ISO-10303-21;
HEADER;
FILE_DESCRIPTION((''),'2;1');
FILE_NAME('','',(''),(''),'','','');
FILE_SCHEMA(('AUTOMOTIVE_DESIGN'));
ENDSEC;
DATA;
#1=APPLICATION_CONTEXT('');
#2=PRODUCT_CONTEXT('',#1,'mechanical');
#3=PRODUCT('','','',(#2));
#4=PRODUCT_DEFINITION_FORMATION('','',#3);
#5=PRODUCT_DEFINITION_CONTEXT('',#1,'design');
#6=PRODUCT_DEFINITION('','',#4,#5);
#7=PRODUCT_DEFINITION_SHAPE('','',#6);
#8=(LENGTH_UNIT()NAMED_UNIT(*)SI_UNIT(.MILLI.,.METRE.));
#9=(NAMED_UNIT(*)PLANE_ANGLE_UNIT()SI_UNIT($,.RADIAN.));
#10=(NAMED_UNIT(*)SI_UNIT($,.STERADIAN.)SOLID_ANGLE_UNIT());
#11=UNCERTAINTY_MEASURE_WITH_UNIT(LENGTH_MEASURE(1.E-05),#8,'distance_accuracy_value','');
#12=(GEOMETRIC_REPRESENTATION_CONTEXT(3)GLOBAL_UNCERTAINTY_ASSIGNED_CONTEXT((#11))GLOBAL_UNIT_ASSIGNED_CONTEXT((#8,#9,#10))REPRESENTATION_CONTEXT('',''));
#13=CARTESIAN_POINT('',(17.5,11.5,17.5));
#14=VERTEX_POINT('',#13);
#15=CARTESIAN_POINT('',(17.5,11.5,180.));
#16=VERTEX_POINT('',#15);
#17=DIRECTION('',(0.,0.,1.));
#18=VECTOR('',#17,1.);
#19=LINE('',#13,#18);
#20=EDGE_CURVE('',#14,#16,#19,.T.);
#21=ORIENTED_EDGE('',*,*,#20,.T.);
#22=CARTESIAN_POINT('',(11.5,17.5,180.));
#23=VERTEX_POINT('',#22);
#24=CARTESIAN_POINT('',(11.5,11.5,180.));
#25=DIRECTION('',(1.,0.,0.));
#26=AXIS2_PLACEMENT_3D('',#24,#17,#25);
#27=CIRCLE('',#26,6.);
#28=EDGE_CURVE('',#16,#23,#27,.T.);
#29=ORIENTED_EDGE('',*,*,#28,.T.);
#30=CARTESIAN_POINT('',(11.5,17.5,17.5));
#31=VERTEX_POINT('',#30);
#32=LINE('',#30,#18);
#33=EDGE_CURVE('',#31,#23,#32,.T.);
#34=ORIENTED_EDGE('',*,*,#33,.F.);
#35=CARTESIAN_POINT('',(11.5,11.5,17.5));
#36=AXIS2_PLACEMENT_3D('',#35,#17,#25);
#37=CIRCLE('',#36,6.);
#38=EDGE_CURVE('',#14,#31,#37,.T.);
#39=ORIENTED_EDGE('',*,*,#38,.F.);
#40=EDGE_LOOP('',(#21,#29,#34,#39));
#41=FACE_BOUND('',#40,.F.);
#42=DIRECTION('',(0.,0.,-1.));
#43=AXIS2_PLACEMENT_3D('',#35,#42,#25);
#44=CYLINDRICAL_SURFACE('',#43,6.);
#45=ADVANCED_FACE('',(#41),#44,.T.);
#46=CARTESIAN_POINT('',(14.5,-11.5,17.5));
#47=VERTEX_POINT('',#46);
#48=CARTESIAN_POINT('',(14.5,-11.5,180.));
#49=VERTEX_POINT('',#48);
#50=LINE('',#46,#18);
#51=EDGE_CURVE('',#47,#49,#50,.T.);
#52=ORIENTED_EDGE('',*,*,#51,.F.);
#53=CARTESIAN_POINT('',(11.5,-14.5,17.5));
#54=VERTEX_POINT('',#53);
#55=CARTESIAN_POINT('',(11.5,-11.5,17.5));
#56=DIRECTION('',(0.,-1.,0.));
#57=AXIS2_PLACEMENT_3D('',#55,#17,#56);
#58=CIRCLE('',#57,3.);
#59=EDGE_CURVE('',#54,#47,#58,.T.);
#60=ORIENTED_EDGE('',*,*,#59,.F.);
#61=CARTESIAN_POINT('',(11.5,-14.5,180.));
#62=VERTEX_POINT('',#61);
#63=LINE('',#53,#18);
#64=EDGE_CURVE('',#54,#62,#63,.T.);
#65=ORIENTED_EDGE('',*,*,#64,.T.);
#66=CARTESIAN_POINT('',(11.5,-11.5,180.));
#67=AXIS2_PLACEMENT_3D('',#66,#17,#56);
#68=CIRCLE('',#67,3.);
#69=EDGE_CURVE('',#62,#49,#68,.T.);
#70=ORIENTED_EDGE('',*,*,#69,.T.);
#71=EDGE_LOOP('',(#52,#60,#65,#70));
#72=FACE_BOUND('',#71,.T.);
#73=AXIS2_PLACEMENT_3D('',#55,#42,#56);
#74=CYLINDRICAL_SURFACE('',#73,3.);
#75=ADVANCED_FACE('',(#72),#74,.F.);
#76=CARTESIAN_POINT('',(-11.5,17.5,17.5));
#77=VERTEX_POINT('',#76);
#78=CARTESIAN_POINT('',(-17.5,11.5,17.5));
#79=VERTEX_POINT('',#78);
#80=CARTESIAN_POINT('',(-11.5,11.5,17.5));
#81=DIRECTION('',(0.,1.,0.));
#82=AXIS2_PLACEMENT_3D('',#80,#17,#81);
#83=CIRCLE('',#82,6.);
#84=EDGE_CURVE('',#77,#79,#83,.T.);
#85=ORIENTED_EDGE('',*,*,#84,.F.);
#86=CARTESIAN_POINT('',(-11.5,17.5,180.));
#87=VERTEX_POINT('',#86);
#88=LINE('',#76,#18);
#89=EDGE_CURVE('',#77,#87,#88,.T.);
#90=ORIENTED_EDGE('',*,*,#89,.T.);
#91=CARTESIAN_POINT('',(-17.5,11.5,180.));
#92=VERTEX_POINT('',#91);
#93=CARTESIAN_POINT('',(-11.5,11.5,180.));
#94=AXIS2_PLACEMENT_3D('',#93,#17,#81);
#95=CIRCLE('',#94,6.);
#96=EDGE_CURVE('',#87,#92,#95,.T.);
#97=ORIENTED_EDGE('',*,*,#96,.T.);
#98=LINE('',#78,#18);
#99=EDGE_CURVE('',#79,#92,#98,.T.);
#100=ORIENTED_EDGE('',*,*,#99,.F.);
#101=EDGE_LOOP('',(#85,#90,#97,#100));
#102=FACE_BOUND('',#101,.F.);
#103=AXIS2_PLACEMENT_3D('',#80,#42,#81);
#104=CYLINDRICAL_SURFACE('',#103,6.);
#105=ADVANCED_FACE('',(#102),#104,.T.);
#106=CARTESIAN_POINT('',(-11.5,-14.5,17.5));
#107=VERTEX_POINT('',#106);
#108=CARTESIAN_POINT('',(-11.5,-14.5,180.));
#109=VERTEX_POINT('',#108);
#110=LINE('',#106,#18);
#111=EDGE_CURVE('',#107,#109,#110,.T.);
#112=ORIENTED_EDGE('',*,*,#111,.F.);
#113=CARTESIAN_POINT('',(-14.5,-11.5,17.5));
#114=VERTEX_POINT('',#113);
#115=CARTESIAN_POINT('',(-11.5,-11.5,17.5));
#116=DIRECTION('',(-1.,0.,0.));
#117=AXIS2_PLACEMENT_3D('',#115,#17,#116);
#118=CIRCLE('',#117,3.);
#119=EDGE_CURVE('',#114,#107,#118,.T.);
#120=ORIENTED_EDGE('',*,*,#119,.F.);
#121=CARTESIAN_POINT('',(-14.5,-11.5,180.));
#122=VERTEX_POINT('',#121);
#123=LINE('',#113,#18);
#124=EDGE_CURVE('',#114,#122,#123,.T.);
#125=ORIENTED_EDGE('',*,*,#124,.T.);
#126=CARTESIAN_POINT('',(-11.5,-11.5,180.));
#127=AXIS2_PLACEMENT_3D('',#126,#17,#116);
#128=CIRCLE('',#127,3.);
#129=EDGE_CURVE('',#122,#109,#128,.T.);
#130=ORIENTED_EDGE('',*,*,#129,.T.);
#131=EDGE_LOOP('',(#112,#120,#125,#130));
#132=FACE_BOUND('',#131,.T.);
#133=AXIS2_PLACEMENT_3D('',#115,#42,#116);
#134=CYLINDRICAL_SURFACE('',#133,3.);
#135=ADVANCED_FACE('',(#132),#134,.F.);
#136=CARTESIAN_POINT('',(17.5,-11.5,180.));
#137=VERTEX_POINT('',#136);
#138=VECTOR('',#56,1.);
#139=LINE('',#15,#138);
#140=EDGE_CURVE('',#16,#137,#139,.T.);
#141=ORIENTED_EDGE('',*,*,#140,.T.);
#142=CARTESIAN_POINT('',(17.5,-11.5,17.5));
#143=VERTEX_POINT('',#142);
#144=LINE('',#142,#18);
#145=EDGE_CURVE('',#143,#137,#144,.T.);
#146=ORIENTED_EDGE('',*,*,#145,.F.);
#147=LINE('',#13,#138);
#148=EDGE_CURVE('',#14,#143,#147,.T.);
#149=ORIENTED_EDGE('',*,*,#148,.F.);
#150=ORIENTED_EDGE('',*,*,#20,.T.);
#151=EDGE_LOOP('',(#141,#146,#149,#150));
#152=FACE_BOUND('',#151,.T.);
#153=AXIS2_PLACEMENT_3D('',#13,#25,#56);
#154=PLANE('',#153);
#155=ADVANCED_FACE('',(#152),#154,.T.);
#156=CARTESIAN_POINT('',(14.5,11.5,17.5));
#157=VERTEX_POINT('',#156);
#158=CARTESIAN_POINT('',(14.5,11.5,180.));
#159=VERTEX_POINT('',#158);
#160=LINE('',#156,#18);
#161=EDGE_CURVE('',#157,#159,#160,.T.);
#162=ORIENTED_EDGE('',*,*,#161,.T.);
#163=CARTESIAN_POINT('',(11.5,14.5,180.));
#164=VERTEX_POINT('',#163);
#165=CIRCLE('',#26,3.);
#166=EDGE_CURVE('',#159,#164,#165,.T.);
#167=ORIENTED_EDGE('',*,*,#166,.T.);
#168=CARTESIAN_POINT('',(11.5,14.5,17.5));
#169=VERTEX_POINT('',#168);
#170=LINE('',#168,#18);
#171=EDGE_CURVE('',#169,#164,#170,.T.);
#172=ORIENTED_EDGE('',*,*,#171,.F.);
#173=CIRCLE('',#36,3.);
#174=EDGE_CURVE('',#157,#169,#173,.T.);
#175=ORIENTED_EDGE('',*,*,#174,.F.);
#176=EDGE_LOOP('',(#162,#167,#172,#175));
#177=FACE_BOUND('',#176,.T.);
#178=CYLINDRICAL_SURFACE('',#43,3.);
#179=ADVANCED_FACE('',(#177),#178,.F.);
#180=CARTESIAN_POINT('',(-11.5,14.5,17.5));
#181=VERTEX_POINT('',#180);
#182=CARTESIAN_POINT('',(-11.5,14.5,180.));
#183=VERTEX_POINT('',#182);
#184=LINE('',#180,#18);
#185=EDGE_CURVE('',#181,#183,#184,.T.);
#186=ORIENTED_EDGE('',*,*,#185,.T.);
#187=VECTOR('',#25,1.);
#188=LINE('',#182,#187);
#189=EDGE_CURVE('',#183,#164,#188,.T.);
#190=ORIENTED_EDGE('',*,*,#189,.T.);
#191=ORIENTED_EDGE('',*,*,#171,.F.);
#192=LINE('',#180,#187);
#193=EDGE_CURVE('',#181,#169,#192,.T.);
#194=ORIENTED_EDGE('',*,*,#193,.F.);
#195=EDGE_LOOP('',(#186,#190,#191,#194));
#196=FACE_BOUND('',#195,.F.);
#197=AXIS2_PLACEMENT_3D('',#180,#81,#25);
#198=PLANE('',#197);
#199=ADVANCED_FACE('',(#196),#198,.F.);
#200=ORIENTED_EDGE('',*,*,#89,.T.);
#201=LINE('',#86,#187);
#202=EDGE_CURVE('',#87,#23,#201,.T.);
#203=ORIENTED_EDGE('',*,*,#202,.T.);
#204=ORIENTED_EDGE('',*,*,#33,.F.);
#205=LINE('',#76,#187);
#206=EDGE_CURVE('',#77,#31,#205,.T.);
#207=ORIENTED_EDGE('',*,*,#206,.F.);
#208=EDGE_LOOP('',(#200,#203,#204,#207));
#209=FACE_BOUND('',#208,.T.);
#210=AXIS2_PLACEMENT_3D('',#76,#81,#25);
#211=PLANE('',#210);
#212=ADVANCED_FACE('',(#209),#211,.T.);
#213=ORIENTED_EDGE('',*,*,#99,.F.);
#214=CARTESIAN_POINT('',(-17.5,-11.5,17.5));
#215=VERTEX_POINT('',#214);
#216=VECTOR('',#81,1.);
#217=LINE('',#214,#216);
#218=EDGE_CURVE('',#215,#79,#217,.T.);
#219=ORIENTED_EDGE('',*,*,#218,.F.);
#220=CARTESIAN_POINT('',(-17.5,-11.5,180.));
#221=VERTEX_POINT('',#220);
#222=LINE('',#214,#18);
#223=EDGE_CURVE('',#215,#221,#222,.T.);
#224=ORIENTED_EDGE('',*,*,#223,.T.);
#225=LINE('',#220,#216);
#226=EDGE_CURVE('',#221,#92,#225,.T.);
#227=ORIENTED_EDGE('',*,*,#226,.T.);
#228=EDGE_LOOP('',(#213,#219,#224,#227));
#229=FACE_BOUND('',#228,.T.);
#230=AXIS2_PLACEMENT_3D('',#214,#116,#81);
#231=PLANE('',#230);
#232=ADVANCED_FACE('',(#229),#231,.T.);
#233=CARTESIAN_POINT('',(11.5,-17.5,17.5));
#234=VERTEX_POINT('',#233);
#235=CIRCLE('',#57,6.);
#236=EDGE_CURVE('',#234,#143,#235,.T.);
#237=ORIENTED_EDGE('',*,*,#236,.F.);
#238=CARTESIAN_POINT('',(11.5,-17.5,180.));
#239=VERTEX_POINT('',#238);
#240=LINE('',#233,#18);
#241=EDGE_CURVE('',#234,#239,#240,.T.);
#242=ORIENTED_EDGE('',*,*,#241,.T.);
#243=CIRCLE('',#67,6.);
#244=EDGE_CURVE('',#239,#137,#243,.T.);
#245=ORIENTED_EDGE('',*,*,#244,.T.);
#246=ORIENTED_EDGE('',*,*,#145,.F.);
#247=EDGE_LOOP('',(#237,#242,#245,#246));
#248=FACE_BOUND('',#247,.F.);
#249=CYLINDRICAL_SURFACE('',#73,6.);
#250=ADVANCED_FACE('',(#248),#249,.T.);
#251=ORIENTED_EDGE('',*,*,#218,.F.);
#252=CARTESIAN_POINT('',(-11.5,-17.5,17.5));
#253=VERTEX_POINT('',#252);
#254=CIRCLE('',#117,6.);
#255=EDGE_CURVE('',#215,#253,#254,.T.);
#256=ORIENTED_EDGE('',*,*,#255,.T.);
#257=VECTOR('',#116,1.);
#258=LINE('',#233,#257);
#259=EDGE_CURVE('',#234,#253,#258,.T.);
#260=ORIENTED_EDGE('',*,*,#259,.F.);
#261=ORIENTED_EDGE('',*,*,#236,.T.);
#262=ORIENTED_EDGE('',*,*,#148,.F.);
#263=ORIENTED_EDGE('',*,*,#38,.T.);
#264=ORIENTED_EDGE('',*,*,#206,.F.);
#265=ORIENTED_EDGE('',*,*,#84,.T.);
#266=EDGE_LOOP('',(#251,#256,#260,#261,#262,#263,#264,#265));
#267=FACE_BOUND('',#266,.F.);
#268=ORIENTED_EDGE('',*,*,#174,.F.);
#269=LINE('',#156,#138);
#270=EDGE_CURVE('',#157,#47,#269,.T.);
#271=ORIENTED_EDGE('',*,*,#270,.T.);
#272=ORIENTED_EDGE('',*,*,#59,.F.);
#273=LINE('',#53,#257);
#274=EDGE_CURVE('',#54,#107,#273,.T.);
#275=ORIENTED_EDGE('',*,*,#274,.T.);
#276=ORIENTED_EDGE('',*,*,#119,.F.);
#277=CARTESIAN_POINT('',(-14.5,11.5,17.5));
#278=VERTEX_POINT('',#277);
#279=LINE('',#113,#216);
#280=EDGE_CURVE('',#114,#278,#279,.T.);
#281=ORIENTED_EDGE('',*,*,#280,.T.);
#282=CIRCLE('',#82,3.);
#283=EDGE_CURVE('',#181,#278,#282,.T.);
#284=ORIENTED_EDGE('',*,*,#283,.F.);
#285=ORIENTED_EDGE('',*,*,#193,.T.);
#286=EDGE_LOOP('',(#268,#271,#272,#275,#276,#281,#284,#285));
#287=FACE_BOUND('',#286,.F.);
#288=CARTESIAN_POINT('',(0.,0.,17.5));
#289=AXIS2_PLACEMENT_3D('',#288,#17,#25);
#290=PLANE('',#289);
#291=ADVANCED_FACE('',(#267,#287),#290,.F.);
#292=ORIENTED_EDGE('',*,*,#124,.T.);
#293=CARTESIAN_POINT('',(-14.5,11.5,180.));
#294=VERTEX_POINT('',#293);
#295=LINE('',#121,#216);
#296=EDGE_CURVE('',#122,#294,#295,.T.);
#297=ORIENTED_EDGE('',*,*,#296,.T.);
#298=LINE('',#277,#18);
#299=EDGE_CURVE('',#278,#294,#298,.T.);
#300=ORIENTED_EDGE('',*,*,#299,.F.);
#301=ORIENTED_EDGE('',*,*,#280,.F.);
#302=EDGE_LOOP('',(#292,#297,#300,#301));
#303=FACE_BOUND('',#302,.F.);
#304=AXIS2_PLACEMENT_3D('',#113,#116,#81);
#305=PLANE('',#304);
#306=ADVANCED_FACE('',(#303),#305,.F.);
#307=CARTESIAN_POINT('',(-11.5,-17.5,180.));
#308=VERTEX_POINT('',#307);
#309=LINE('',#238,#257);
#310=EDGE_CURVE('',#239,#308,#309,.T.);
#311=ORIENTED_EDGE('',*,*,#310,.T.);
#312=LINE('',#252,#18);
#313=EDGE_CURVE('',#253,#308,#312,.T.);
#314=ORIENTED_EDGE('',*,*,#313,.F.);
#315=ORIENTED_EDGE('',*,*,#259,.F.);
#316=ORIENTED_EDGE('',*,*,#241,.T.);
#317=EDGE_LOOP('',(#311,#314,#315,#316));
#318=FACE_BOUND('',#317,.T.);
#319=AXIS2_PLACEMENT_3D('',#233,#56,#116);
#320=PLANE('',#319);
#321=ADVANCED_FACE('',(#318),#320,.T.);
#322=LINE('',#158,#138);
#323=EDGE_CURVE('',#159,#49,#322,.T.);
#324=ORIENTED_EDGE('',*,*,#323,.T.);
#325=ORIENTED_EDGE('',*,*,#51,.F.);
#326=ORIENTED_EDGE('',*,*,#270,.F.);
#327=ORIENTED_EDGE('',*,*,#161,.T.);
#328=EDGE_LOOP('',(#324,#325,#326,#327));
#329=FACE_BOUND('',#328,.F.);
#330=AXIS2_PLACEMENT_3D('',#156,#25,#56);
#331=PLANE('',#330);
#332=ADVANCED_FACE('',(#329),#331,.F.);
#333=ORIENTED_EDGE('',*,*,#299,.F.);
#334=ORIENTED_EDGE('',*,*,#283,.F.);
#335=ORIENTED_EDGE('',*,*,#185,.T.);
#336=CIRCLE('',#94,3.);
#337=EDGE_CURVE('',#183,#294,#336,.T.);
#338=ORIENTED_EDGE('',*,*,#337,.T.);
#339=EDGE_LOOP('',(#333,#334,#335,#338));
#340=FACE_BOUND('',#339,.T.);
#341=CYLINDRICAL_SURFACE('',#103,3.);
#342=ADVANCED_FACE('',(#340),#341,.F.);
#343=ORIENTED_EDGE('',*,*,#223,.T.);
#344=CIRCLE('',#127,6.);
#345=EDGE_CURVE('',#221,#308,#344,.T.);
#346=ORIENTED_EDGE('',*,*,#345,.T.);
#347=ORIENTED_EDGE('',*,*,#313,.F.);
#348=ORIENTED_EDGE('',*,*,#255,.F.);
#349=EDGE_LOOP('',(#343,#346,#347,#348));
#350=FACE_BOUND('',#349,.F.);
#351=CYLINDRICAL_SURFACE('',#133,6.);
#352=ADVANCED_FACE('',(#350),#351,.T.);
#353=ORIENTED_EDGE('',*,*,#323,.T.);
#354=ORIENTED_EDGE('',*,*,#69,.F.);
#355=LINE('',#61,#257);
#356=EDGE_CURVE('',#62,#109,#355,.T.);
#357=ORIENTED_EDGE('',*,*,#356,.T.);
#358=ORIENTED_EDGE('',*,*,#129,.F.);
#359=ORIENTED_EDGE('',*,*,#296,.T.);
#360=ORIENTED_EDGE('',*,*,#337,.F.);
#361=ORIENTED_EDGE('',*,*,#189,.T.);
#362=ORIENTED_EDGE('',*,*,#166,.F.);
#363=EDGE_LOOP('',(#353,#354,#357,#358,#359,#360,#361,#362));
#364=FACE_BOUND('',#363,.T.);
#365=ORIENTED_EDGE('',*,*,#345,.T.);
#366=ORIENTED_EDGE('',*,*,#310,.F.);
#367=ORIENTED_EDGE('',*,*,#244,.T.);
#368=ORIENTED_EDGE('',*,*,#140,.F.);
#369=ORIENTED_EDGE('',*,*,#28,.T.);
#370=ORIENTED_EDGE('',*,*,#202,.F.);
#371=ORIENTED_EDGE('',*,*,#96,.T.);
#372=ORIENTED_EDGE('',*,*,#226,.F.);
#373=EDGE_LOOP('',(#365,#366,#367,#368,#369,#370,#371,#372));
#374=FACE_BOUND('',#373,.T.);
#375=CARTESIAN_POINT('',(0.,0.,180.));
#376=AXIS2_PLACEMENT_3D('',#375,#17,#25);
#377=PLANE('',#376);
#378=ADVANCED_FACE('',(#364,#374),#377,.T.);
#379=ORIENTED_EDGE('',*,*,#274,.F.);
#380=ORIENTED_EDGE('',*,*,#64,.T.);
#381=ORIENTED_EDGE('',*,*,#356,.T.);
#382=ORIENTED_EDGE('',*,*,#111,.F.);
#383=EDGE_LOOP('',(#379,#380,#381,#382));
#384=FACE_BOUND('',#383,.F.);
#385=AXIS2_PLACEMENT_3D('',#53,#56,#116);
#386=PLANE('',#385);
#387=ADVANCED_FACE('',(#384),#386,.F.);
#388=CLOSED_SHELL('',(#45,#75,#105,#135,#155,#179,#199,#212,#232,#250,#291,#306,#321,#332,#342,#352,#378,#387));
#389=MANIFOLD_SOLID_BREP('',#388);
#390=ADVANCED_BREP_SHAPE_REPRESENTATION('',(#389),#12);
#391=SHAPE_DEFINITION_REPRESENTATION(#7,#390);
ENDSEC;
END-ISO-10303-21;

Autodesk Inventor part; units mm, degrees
ref_plane "Start plane" through (0, 0, 17.5) normal (0, 0, 1) x (1, 0, 0)
ref_plane "End plane" through (0, 0, 180) normal (0, 0, 1) x (1, 0, 0)
sketch "Sketch" plane through (0, 0, 0) normal (0, 0, 1) x (1, 0, 0)
  line L0 (-17.5, -11.5) -> (-17.5, 11.5)
  line L1 (-11.5, 17.5) -> (11.5, 17.5)
  line L2 (17.5, 11.5) -> (17.5, -11.5)
  line L3 (11.5, -17.5) -> (-11.5, -17.5)
  arc A0 (-17.5, -11.5) -> (-11.5, -17.5) centre (-11.5, -11.5) ccw
  arc A1 (-11.5, 17.5) -> (-17.5, 11.5) centre (-11.5, 11.5) ccw
  arc A2 (17.5, 11.5) -> (11.5, 17.5) centre (11.5, 11.5) ccw
  arc A3 (11.5, -17.5) -> (17.5, -11.5) centre (11.5, -11.5) ccw
  arc A4 (-11.5, 14.5) -> (-14.5, 11.5) centre (-11.5, 11.5) ccw
  line L4 (-11.5, 14.5) -> (11.5, 14.5)
  arc A5 (14.5, 11.5) -> (11.5, 14.5) centre (11.5, 11.5) ccw
  line L5 (14.5, 11.5) -> (14.5, -11.5)
  arc A6 (11.5, -14.5) -> (14.5, -11.5) centre (11.5, -11.5) ccw
  line L6 (11.5, -14.5) -> (-11.5, -14.5)
  arc A7 (-14.5, -11.5) -> (-11.5, -14.5) centre (-11.5, -11.5) ccw
  line L7 (-14.5, -11.5) -> (-14.5, 11.5)
  line L8 (0, 25.4278) -> (0, -25.4278) construction
  line L9 (-25.4278, 0) -> (25.4278, 0) construction
  dimension "d7" = 6
  dimension "d10" = 35
  dimension "d11" = 35
  dimension "d12" = 3
  dimension "d15" = 17.5
  dimension "d16" = 17.5
extrude "Body" add sketch "Sketch" along normal up to surface (162.5 mm away) from surface at 17.5
sketch "Sketch3" plane through (0, 0, 0) normal (0, 0, 1) x (1, 0, 0)
  line L0 (0, 0) -> (10, 0)
ref_plane "Work Plane3" through (0, 0, 0) normal (0, -1, 0) x (1, 0, 0)
sketch "Sketch4" plane through (0, 0, 0) normal (0, -1, 0) x (1, 0, 0)
  line L0 (-2, 17.5) -> (12, 17.5)
  line L1 (-2, 180) -> (12, 180)
  dimension "d18" = 162.5
ref_plane "Work Plane4" through (-747.5, 0, 17.5) normal (0, 0, -1) x (-1, 0, 0)
split "Split1" plane through (-747.5, 0, 17.5) removes the side toward (0, 0, -1)
equation "\"d7\" = G_IR"
equation "\"d10\" = G_H"
equation "\"d11\" = G_W"
equation "\"d12\" = G_T"
equation "\"d15\" = 0.5 * d10"
equation "\"d16\" = 0.5 * d11"
equation "\"d3\" = G_L"
equation "\"G_W\" = 35"
equation "\"G_H\" = 35"
equation "\"G_T\" = 3"
equation "\"G_IR\" = 6"
equation "\"G_L\" = d18"
equation "\"G_OFFSET_START\" = -17.5"
equation "\"G_OFFSET_END\" = 0"
equation "\"d13\" = -G_OFFSET_START"
properties part number "AS 1163 - C350L0 35x35x3.0 SHS - 162.5" material "Steel, Mild"
